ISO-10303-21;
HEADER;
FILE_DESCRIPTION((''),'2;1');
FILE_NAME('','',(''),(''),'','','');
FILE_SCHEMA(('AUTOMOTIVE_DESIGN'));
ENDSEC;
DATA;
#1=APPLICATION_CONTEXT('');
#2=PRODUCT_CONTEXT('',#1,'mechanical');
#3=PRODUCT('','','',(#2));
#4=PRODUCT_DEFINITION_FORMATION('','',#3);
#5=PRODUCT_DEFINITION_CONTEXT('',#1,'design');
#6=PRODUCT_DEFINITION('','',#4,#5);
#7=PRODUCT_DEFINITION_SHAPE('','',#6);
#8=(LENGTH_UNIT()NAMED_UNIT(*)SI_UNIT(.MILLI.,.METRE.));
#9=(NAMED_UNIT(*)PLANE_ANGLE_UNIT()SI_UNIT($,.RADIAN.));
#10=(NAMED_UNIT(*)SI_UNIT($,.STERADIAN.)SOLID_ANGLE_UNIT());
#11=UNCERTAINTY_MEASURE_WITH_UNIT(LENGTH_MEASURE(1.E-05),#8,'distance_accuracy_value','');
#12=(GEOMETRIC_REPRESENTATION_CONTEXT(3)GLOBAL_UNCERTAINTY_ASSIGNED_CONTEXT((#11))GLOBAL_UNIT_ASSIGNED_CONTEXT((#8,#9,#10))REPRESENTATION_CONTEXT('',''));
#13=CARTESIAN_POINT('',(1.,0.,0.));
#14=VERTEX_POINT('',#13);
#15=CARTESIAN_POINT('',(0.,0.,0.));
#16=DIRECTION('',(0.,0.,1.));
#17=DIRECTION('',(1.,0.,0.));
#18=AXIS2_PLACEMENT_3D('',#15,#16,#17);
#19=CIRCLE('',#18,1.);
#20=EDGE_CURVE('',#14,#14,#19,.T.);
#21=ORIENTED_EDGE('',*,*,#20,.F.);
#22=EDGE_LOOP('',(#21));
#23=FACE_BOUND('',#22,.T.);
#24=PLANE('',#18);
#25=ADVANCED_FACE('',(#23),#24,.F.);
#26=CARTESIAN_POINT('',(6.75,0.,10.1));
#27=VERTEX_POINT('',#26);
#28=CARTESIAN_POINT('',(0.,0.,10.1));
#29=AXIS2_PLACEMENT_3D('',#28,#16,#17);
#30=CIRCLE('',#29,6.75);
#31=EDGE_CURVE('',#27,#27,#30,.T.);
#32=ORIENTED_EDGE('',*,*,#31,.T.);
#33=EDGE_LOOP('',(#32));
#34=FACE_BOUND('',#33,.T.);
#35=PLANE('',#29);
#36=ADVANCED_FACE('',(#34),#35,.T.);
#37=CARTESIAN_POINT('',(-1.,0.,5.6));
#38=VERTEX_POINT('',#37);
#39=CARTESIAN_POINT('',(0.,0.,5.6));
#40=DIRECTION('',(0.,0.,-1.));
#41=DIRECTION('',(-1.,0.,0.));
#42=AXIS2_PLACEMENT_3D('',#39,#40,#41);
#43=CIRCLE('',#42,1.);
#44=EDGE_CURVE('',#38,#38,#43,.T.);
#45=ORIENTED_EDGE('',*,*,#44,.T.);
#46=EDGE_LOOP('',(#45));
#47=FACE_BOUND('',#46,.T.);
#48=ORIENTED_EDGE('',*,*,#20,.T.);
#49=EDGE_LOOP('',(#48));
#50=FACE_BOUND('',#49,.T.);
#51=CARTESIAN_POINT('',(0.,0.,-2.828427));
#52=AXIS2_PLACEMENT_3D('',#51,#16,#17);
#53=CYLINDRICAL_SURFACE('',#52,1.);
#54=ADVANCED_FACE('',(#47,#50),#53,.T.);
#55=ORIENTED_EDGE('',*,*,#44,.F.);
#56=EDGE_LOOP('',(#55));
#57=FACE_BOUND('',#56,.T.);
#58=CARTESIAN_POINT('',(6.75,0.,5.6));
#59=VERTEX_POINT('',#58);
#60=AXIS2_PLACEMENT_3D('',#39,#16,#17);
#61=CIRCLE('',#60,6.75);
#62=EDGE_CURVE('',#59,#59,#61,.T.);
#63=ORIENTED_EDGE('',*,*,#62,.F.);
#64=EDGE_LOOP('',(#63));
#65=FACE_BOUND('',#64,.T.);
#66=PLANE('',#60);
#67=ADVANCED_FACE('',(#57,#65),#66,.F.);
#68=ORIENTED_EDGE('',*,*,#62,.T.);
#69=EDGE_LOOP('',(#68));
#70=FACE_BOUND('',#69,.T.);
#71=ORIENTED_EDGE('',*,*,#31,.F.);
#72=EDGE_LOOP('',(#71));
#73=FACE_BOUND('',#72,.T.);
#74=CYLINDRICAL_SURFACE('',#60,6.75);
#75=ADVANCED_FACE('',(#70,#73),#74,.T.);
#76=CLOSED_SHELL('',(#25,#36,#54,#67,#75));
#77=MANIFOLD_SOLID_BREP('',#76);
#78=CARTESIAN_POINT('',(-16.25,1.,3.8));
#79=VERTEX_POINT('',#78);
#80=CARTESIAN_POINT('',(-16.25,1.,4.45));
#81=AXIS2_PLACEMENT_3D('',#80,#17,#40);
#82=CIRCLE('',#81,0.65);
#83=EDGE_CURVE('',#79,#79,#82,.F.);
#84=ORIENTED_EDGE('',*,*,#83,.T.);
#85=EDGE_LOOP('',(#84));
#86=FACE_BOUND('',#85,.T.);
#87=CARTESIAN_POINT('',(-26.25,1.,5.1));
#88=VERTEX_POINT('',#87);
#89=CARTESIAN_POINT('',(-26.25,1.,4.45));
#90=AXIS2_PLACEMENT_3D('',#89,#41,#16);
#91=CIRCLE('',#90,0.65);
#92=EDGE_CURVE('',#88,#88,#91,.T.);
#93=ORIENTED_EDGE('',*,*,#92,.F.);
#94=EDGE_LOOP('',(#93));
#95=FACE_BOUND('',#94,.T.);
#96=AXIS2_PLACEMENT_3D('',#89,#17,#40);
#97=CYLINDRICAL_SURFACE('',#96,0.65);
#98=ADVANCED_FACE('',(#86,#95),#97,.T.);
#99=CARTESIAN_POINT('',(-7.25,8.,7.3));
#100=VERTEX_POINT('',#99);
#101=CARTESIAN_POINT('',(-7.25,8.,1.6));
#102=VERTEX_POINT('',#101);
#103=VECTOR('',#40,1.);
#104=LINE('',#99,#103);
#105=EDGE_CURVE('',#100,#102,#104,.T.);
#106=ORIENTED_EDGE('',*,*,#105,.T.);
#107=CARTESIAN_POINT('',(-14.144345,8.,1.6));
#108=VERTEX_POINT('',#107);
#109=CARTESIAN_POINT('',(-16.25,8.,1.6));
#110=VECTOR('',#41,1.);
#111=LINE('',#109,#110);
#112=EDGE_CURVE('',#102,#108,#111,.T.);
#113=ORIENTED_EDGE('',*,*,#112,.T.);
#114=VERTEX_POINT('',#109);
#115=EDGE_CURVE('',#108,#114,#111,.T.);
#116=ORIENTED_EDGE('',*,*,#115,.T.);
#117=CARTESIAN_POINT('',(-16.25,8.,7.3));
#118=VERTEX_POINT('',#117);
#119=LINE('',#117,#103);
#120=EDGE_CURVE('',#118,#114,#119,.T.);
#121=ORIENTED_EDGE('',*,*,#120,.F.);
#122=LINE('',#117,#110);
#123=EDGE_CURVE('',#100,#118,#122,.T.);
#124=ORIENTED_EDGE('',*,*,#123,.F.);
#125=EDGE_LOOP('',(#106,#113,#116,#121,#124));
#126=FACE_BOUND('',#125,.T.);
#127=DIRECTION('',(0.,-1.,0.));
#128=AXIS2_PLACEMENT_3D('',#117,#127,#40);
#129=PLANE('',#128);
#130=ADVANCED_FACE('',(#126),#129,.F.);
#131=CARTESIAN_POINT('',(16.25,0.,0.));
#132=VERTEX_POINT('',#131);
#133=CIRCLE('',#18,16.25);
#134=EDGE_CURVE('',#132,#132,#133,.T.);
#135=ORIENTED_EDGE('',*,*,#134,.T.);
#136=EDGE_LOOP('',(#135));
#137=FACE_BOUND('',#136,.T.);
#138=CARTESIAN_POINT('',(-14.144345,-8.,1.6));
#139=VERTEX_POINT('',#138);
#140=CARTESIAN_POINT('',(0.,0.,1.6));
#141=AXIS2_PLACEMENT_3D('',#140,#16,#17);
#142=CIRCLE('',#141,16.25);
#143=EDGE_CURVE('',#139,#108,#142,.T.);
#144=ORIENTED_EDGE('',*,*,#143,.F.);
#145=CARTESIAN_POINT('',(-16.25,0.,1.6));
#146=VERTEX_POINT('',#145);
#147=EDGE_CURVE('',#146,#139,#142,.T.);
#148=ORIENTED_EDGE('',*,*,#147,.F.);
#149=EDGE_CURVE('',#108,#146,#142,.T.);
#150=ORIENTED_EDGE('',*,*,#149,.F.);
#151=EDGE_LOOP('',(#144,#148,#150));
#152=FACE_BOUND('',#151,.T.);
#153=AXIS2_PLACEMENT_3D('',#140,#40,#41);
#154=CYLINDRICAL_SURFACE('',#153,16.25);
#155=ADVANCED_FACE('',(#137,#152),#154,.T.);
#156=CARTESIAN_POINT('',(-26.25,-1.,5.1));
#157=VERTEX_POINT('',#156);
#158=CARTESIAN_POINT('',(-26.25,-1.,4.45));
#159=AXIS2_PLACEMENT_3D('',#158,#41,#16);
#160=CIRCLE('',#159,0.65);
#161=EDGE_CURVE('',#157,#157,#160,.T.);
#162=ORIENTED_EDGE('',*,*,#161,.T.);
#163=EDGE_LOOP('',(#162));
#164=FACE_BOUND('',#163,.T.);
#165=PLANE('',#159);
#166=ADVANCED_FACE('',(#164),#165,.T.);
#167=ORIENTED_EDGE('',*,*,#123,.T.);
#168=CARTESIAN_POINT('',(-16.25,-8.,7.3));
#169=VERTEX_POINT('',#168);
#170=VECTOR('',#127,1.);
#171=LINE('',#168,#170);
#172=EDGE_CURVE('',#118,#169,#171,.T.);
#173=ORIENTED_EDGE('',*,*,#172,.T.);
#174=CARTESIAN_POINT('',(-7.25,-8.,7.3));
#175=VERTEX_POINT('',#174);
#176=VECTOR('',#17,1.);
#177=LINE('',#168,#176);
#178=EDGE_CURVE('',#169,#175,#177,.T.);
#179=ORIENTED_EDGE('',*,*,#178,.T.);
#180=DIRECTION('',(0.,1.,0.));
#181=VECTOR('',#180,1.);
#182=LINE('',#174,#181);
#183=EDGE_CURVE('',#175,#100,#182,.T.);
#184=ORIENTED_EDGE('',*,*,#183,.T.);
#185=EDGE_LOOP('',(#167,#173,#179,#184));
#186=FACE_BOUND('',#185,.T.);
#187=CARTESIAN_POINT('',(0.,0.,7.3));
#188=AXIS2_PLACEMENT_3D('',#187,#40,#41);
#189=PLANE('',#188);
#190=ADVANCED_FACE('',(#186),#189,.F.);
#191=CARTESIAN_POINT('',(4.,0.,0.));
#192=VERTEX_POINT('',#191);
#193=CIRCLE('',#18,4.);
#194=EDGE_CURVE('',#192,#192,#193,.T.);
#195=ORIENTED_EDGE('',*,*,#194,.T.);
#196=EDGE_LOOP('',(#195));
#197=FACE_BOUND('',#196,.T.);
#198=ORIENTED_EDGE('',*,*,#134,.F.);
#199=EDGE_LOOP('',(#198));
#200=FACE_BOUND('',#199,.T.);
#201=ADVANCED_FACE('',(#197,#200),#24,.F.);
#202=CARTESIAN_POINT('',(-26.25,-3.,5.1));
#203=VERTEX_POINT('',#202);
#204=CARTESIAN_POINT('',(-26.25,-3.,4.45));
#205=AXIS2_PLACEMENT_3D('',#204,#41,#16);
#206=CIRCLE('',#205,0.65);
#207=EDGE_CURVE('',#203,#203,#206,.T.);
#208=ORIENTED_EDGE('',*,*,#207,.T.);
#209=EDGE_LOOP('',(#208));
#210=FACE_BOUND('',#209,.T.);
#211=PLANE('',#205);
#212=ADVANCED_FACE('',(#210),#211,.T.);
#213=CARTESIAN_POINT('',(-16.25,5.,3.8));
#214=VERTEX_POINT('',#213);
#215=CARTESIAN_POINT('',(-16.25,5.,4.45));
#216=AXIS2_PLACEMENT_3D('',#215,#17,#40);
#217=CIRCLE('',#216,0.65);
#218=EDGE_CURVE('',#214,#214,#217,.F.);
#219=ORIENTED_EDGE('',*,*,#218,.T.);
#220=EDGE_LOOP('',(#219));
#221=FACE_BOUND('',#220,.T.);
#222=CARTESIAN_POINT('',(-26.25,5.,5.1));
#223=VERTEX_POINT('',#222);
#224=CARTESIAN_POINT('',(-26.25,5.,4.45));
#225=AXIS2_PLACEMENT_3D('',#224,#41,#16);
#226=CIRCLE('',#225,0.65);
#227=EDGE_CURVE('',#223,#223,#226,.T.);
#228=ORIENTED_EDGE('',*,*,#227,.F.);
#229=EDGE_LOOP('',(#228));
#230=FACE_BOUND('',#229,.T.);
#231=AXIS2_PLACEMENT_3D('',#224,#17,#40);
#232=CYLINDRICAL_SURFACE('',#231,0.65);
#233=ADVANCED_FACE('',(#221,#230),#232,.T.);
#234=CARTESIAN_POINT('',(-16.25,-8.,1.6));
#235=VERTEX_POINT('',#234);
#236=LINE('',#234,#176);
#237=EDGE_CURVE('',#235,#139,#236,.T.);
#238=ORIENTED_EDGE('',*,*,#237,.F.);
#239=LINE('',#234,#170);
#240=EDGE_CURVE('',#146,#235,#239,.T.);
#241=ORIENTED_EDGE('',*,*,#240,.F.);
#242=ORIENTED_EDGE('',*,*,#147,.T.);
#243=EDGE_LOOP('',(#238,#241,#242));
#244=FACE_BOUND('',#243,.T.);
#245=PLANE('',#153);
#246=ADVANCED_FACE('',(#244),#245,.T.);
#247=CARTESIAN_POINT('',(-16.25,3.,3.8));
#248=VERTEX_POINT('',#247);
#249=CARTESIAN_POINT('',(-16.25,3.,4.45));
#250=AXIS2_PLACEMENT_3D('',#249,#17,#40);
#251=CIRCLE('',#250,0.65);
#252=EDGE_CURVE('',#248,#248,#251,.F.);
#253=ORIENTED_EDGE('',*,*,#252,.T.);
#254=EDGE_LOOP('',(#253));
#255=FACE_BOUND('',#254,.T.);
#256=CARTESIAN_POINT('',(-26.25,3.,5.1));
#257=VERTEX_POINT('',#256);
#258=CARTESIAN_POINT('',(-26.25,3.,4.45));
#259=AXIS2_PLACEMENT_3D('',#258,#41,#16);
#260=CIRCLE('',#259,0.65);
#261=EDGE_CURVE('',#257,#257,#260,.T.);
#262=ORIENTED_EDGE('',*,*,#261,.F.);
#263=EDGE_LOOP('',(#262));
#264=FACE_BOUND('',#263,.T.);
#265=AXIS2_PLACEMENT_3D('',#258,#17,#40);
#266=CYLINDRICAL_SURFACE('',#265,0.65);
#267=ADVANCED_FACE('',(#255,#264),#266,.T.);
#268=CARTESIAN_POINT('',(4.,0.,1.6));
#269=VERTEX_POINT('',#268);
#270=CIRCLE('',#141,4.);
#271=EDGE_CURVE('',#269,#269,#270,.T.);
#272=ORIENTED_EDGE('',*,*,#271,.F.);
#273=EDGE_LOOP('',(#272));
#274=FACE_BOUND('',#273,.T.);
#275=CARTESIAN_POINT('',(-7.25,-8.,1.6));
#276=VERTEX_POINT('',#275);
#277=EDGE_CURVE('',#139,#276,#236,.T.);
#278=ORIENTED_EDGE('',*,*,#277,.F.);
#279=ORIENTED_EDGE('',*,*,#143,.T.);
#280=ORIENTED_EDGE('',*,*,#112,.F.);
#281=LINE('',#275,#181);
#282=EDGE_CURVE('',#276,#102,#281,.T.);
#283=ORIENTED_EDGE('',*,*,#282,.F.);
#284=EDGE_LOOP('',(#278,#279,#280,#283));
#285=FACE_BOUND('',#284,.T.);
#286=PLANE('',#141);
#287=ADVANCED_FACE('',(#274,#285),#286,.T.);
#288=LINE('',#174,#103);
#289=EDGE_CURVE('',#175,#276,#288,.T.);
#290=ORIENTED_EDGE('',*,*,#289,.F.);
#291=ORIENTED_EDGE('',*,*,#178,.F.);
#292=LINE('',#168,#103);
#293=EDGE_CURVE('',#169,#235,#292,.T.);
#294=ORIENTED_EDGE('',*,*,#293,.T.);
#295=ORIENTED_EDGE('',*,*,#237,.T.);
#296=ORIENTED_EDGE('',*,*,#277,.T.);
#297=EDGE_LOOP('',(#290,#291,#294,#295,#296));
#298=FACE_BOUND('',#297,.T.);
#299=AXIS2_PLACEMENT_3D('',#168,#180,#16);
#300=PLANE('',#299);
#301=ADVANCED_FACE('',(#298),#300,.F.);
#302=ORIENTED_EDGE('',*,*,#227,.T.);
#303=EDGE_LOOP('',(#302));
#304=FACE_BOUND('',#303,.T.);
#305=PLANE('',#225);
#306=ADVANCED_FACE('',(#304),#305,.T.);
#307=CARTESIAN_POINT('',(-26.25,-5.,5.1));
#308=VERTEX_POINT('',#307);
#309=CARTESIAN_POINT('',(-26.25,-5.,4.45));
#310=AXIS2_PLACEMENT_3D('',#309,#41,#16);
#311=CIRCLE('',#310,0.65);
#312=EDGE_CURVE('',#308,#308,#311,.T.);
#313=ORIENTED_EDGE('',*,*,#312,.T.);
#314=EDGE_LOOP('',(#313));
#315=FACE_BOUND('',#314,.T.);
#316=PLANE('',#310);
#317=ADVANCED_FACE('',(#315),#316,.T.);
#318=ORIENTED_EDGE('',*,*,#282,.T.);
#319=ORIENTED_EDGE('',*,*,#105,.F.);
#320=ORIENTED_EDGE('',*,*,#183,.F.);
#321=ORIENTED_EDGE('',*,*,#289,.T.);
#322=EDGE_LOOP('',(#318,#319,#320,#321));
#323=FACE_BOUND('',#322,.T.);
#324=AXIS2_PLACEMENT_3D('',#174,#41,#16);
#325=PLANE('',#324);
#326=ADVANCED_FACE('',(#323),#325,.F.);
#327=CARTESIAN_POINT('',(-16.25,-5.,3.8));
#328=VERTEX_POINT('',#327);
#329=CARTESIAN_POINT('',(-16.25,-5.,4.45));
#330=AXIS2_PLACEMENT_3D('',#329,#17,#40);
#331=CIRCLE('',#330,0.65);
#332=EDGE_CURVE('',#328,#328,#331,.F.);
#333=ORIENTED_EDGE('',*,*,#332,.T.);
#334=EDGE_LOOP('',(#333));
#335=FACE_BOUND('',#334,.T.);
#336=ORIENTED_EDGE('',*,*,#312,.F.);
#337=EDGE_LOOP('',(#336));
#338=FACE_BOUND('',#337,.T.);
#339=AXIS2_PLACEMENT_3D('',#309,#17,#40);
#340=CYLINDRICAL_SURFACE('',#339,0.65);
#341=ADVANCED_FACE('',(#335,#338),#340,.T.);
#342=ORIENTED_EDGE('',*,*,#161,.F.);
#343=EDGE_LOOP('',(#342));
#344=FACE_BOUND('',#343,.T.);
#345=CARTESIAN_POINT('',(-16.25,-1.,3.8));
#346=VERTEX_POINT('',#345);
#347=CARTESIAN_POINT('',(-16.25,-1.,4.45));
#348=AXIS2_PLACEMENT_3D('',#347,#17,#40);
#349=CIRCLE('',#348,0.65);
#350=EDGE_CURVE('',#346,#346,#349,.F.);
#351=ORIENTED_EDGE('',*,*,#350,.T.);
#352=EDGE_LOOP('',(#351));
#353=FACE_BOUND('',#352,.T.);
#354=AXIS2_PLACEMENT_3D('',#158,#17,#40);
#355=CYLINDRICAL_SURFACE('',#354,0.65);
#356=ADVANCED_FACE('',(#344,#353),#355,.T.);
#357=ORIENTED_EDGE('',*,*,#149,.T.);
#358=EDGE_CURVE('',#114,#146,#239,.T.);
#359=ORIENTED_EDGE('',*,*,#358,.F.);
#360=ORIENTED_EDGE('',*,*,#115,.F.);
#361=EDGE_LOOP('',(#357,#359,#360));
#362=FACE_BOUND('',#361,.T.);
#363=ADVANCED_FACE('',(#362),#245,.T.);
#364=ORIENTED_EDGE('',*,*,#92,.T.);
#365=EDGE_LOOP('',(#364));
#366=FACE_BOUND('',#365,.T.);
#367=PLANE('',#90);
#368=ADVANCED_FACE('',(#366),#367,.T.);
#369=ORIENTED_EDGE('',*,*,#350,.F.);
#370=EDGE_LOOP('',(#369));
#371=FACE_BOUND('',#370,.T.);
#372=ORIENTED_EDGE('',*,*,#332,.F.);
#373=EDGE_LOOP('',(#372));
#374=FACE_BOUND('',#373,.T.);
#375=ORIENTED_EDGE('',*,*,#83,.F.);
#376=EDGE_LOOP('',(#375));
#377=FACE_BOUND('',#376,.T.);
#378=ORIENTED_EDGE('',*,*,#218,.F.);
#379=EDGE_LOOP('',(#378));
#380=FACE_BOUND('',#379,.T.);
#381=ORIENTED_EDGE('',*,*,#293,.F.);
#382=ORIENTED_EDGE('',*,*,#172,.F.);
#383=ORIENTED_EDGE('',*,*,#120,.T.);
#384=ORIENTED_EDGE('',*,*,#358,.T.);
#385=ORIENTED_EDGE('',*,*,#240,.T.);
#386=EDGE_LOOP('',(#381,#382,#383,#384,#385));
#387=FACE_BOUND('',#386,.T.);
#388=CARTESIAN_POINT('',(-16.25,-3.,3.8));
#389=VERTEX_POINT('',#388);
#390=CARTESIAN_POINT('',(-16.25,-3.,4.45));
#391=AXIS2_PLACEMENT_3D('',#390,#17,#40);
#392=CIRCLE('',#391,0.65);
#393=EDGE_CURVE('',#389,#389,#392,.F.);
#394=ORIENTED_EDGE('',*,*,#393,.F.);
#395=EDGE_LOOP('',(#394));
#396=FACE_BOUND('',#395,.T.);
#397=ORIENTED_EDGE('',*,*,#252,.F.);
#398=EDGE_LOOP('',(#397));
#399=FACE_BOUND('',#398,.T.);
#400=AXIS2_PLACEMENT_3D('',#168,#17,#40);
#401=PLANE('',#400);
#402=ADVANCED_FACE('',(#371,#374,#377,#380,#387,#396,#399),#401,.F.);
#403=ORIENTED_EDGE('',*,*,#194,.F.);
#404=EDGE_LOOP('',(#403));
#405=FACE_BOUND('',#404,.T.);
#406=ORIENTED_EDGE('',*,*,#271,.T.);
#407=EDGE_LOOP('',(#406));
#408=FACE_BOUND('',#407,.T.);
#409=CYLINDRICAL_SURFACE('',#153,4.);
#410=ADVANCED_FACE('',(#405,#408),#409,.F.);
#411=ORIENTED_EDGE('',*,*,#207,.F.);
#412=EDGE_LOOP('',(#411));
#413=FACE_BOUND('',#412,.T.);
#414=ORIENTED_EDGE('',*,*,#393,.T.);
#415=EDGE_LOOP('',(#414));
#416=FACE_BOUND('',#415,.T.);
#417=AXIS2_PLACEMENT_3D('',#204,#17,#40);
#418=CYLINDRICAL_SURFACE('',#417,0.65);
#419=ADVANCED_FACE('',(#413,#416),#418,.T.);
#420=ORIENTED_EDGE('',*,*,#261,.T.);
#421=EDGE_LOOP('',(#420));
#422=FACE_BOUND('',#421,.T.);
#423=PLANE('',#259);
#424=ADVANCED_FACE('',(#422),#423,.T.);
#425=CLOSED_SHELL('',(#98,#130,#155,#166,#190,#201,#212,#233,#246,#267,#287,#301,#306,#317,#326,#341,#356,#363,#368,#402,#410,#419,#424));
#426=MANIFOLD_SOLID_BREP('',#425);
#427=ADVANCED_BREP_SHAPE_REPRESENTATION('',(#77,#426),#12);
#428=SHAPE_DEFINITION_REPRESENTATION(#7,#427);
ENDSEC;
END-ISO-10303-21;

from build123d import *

# Parameters (mm, degrees)
SKETCH1_R           = 16.25
SKETCH1_R_2         = 4
BOSS_EXTRUDE1_DEPTH = 1.6
SKETCH2_W           = 9
SKETCH2_H           = 16
BOSS_EXTRUDE2_DEPTH = 5.7
SKETCH3_R           = 0.65
BOSS_EXTRUDE3_DEPTH = 10
SKETCH4_R           = 6.75
BOSS_EXTRUDE4_DEPTH = 4.5
SKETCH5_R           = 1
BOSS_EXTRUDE5_DEPTH = 5.6


with BuildPart() as part:
    # Sketch1 → Boss-Extrude1 (new body)
    with BuildSketch(Plane.XY):
        Circle(SKETCH1_R)
        Circle(SKETCH1_R_2, mode=Mode.SUBTRACT)
    extrude(amount=BOSS_EXTRUDE1_DEPTH)

    # Sketch2 → Boss-Extrude2 (add)
    with BuildSketch(Plane.XY.offset(1.6)):
        with Locations((-11.75, 0)):
            Rectangle(SKETCH2_W, SKETCH2_H)
    extrude(amount=BOSS_EXTRUDE2_DEPTH)

    # Sketch3 → Boss-Extrude3 (add)
    with BuildSketch(Plane.ZY.offset(16.25)):
        with Locations((4.45, 5)):
            Circle(SKETCH3_R)
        with Locations((4.45, 3)):
            Circle(SKETCH3_R)
        with Locations((4.45, 1)):
            Circle(SKETCH3_R)
        with Locations((4.45, -1)):
            Circle(SKETCH3_R)
        with Locations((4.45, -3)):
            Circle(SKETCH3_R)
        with Locations((4.45, -5)):
            Circle(SKETCH3_R)
    extrude(amount=BOSS_EXTRUDE3_DEPTH)


with BuildPart() as body_2:
    # Sketch4 → Boss-Extrude4 (new body)
    with BuildSketch(Plane.XY.offset(10.1)):
        Circle(SKETCH4_R)
    extrude(amount=-BOSS_EXTRUDE4_DEPTH)

    # Sketch5 → Boss-Extrude5 (add)
    with BuildSketch(Plane(origin=(0, 0, 5.6), x_dir=(-1, 0, 0), z_dir=(0, 0, -1))):
        Circle(SKETCH5_R)
    extrude(amount=BOSS_EXTRUDE5_DEPTH)


solid = Compound([part.part, body_2.part])
